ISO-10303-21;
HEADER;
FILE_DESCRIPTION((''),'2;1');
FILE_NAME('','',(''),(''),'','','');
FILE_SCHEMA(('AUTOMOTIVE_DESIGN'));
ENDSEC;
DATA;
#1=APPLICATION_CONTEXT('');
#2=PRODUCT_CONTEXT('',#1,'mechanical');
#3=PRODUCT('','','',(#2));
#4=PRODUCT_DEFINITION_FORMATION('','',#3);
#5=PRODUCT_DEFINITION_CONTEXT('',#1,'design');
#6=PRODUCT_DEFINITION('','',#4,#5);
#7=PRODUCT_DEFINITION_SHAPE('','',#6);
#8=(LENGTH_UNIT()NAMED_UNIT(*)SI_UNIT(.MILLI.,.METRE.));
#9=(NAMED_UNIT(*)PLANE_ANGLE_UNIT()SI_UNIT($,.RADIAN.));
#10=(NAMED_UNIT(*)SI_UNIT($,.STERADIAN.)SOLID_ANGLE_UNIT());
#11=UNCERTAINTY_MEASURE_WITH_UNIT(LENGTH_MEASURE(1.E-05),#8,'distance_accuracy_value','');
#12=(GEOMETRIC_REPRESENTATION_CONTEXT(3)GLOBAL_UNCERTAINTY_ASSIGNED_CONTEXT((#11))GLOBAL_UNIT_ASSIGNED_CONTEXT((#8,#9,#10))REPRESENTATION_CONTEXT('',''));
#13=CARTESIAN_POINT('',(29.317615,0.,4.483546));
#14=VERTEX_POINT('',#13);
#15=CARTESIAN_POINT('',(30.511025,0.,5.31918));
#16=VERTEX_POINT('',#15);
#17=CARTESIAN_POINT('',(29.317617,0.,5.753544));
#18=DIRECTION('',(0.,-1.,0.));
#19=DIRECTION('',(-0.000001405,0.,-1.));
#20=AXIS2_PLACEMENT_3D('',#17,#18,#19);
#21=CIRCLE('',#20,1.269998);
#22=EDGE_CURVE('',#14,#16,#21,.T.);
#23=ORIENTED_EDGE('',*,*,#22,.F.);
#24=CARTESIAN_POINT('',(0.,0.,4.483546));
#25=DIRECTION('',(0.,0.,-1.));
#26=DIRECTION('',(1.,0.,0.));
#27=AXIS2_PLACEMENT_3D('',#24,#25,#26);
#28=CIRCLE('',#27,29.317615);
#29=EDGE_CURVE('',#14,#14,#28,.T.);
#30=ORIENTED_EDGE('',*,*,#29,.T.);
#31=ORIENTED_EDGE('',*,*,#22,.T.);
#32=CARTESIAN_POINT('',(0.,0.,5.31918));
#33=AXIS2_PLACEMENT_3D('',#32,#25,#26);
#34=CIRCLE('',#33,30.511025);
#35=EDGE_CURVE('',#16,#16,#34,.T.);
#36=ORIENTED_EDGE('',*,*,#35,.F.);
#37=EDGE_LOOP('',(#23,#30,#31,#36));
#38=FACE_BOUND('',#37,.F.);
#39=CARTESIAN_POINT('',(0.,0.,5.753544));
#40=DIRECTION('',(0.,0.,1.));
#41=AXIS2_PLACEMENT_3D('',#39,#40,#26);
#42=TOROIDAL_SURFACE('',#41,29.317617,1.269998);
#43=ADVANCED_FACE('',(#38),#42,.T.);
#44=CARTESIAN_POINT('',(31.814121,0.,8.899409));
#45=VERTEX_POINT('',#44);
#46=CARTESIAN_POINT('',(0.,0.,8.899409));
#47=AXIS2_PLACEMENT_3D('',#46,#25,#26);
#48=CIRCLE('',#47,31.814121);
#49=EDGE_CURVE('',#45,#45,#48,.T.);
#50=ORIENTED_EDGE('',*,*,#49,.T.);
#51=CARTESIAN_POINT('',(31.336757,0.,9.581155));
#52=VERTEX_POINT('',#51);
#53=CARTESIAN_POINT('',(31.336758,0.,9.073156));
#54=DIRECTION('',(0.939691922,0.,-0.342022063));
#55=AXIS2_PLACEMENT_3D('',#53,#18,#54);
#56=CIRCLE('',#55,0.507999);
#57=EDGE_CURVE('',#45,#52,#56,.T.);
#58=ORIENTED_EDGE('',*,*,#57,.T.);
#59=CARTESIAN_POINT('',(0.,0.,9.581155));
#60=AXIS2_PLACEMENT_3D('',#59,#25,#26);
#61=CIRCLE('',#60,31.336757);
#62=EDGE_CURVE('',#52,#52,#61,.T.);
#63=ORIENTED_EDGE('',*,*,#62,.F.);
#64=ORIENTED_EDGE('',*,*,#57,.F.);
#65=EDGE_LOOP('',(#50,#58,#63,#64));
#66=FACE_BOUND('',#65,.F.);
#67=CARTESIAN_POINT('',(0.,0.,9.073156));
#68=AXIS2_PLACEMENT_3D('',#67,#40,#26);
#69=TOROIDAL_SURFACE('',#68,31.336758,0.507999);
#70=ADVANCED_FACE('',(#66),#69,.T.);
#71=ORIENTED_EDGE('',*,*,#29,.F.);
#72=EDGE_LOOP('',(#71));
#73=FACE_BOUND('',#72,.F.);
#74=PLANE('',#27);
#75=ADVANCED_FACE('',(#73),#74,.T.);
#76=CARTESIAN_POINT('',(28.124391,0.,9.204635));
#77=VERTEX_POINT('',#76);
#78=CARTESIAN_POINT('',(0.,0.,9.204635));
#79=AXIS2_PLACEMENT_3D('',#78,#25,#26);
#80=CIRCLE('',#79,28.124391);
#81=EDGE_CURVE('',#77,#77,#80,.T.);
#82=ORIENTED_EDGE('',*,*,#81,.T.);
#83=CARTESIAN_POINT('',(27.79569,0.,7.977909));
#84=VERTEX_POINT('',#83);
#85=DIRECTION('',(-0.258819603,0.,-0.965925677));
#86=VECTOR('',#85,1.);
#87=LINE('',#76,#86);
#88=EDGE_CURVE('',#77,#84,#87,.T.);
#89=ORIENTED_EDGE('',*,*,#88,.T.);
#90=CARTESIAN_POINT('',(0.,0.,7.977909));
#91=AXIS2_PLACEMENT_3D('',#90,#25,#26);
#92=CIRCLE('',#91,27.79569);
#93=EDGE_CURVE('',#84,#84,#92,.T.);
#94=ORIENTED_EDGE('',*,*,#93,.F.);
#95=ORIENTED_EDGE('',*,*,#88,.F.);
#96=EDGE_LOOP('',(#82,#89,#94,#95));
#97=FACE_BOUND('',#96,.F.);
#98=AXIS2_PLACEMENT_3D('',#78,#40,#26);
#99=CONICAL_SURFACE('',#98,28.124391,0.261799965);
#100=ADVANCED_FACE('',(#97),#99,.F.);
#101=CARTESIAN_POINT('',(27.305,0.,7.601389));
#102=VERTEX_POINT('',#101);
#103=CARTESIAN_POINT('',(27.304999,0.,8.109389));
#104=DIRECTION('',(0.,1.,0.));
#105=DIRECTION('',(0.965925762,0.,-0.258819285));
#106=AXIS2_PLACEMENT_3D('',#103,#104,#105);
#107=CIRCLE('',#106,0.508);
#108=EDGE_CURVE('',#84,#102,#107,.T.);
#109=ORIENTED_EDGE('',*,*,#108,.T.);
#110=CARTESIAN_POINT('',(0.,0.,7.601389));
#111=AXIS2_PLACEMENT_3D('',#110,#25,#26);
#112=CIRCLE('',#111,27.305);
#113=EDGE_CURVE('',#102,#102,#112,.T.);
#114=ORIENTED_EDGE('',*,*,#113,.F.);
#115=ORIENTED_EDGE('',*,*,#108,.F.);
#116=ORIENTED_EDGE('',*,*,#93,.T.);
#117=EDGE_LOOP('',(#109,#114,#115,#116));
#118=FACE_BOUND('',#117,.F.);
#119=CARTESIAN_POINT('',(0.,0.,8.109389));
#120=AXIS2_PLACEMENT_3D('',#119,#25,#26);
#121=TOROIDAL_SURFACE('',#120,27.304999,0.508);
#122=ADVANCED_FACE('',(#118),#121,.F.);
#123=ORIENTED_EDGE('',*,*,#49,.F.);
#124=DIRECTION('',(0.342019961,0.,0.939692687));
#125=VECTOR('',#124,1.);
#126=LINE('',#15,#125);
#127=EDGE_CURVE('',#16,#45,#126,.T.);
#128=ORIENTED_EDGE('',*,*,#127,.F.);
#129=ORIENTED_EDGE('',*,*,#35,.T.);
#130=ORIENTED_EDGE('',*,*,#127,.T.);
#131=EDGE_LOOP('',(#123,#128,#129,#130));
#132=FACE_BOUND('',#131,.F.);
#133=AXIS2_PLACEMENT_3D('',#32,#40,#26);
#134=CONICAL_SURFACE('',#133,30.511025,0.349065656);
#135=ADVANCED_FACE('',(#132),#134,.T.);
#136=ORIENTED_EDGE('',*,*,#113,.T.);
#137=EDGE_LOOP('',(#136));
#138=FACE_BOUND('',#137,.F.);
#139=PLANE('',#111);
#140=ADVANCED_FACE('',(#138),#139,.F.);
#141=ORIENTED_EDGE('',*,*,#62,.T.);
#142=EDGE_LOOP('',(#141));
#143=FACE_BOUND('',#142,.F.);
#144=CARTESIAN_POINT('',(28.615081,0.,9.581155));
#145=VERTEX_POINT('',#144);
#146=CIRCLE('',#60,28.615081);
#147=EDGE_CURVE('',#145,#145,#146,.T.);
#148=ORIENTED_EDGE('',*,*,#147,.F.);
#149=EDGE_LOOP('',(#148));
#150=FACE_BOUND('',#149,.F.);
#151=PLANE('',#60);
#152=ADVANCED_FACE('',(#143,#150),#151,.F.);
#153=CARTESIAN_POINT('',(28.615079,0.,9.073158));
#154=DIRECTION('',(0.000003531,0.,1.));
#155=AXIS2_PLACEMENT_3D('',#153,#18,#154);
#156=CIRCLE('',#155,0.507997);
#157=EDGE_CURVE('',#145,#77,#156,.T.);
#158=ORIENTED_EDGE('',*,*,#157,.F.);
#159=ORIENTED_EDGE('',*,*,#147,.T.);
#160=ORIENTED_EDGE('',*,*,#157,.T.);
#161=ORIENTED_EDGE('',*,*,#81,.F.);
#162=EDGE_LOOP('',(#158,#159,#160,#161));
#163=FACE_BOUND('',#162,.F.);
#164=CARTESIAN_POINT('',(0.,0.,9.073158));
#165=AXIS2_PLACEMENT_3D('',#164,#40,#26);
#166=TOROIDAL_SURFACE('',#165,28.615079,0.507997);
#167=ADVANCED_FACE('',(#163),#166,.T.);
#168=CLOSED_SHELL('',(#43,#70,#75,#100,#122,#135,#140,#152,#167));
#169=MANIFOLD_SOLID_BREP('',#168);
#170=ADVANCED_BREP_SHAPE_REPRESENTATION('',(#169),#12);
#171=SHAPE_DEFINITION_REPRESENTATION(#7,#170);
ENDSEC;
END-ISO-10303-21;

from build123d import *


with BuildPart() as f2:
    # F0 (on Front) → F2 (revolve)
    with BuildSketch(Plane.XZ):
        with BuildLine():
            Line((27.305, 7.601389), (0, 7.601389))
            Line((0, 7.601389), (0, 4.483546))
            Line((0, 4.483546), (29.317615, 4.483546))
            ThreePointArc((29.317615, 4.483546), (30.046057, 4.713222), (30.511025, 5.31918))
            Line((30.511025, 5.31918), (31.814121, 8.899409))
            ThreePointArc((31.814121, 8.899409), (31.752887, 9.364532), (31.336757, 9.581155))
            Line((31.336757, 9.581155), (28.615081, 9.581155))
            ThreePointArc((28.615081, 9.581155), (28.30583, 9.476179), (28.124391, 9.204635))
            Line((28.124391, 9.204635), (27.79569, 7.977909))
            ThreePointArc((27.79569, 7.977909), (27.614251, 7.706366), (27.305, 7.601389))
        make_face()
    revolve(axis=Axis((0, 0, 5.026823), (0, 0, -1)))


solid = f2.part
